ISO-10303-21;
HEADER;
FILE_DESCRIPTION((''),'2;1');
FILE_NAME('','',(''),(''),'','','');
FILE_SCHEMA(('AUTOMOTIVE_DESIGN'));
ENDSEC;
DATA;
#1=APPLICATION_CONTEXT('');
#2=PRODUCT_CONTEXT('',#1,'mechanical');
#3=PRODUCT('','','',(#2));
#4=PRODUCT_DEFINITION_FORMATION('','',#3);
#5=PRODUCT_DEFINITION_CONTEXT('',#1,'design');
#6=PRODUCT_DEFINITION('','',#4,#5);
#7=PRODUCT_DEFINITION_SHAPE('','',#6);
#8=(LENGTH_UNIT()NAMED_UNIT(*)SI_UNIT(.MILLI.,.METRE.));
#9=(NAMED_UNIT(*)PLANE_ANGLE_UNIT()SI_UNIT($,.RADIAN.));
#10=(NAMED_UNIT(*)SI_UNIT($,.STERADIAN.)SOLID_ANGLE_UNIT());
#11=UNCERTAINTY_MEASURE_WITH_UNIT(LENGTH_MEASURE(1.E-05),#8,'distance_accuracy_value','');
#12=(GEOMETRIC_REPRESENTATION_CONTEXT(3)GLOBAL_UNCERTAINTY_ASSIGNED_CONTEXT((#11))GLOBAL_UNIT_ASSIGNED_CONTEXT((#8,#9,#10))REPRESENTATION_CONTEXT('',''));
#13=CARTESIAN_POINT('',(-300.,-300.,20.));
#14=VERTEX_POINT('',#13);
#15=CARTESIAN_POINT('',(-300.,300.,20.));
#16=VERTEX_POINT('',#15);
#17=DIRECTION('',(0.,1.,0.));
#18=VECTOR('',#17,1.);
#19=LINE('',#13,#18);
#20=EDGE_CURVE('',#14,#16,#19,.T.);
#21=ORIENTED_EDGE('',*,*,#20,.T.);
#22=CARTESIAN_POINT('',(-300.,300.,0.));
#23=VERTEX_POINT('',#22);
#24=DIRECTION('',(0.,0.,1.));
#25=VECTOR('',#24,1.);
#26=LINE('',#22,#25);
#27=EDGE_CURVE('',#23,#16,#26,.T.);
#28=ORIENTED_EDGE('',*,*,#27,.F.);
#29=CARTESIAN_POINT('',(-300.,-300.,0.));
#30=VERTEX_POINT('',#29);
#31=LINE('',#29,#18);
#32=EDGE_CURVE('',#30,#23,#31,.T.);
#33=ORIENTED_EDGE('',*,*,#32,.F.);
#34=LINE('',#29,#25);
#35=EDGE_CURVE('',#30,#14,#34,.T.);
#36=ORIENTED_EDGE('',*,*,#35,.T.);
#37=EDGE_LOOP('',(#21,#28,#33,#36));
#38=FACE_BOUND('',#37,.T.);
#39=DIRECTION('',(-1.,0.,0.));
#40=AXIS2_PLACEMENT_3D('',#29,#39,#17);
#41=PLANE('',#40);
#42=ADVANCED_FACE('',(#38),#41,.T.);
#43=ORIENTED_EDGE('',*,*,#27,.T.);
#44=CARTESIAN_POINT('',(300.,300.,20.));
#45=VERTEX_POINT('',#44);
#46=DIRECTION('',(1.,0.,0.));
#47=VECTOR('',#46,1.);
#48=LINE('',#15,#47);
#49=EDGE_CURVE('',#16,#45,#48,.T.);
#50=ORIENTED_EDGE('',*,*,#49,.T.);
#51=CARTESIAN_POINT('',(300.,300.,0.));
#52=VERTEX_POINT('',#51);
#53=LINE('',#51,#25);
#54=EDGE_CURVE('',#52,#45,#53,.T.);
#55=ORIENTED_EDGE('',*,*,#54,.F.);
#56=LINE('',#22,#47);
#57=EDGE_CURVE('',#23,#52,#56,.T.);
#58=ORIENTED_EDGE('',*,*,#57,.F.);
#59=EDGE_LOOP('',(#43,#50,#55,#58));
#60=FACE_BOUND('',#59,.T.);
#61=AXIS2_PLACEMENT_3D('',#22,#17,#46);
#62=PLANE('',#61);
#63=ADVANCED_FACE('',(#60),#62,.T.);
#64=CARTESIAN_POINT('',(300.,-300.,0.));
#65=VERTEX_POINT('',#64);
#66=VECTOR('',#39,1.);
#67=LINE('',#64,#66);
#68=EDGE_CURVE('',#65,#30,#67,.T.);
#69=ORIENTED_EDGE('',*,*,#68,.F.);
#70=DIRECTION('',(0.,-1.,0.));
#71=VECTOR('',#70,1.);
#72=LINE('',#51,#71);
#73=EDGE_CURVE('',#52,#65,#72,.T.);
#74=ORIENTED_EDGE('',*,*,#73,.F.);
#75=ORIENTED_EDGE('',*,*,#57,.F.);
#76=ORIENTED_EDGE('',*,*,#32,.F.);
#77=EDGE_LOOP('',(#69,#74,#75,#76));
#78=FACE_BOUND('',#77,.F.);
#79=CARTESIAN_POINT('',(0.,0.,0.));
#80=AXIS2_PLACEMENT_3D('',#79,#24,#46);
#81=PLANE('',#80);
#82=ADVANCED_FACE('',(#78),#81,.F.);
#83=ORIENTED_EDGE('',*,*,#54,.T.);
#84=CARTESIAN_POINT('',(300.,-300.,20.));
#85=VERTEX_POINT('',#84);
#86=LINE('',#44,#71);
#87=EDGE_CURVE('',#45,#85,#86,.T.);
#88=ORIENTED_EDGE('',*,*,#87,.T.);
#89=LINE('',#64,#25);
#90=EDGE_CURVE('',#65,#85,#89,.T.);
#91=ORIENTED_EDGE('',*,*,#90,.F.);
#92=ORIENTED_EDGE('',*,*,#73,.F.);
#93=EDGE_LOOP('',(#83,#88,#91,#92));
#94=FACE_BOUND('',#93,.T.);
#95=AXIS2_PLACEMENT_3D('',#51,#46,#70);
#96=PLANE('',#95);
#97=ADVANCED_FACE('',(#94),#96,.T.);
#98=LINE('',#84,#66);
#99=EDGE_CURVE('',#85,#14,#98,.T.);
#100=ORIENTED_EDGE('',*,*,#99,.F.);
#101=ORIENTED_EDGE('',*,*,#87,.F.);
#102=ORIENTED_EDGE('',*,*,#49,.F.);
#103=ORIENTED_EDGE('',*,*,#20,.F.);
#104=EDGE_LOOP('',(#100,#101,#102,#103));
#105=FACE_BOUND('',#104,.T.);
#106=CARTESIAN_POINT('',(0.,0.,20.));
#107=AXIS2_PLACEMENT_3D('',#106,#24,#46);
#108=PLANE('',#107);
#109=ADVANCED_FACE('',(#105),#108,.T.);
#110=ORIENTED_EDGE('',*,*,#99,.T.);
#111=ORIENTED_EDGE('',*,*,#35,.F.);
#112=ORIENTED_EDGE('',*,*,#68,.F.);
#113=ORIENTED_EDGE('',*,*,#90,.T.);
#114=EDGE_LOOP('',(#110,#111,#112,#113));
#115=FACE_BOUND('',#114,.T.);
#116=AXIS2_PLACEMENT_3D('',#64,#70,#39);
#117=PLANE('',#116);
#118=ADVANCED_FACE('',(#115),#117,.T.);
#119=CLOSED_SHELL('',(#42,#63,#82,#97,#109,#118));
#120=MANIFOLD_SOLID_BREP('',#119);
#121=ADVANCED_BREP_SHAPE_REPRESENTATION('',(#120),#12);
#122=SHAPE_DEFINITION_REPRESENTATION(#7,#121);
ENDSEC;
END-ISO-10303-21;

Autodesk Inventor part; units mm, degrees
ref_plane "YZ Plane" through (0, 0, 0) normal (1, 0, 0) x (0, 1, 0)
ref_plane "XZ Plane" through (0, 0, 0) normal (0, 1, 0) x (-1, 0, 0)
ref_plane "XY Plane" through (0, 0, 0) normal (0, 0, 1) x (1, 0, 0)
sketch "Sketch1" plane through (0, 0, 0) normal (0, 0, 1) x (1, 0, 0)
  line L0 (-300, 300) -> (300, 300)
  line L1 (300, 300) -> (300, -300)
  line L2 (300, -300) -> (-300, -300)
  line L3 (-300, -300) -> (-300, 300)
  point P0 (0, 0)
  dimension "d0" = 600
  dimension "d1" = 600
  dimension "d2" = 300
  dimension "d3" = 300
extrude "Extrusion1" add sketch "Sketch1" along normal blind 20
equation "\"d1\" = d0"
equation "\"d2\" = 0.5 * d1"
equation "\"d3\" = 0.5 * d0"
properties part number "PythonKukaFloor"
